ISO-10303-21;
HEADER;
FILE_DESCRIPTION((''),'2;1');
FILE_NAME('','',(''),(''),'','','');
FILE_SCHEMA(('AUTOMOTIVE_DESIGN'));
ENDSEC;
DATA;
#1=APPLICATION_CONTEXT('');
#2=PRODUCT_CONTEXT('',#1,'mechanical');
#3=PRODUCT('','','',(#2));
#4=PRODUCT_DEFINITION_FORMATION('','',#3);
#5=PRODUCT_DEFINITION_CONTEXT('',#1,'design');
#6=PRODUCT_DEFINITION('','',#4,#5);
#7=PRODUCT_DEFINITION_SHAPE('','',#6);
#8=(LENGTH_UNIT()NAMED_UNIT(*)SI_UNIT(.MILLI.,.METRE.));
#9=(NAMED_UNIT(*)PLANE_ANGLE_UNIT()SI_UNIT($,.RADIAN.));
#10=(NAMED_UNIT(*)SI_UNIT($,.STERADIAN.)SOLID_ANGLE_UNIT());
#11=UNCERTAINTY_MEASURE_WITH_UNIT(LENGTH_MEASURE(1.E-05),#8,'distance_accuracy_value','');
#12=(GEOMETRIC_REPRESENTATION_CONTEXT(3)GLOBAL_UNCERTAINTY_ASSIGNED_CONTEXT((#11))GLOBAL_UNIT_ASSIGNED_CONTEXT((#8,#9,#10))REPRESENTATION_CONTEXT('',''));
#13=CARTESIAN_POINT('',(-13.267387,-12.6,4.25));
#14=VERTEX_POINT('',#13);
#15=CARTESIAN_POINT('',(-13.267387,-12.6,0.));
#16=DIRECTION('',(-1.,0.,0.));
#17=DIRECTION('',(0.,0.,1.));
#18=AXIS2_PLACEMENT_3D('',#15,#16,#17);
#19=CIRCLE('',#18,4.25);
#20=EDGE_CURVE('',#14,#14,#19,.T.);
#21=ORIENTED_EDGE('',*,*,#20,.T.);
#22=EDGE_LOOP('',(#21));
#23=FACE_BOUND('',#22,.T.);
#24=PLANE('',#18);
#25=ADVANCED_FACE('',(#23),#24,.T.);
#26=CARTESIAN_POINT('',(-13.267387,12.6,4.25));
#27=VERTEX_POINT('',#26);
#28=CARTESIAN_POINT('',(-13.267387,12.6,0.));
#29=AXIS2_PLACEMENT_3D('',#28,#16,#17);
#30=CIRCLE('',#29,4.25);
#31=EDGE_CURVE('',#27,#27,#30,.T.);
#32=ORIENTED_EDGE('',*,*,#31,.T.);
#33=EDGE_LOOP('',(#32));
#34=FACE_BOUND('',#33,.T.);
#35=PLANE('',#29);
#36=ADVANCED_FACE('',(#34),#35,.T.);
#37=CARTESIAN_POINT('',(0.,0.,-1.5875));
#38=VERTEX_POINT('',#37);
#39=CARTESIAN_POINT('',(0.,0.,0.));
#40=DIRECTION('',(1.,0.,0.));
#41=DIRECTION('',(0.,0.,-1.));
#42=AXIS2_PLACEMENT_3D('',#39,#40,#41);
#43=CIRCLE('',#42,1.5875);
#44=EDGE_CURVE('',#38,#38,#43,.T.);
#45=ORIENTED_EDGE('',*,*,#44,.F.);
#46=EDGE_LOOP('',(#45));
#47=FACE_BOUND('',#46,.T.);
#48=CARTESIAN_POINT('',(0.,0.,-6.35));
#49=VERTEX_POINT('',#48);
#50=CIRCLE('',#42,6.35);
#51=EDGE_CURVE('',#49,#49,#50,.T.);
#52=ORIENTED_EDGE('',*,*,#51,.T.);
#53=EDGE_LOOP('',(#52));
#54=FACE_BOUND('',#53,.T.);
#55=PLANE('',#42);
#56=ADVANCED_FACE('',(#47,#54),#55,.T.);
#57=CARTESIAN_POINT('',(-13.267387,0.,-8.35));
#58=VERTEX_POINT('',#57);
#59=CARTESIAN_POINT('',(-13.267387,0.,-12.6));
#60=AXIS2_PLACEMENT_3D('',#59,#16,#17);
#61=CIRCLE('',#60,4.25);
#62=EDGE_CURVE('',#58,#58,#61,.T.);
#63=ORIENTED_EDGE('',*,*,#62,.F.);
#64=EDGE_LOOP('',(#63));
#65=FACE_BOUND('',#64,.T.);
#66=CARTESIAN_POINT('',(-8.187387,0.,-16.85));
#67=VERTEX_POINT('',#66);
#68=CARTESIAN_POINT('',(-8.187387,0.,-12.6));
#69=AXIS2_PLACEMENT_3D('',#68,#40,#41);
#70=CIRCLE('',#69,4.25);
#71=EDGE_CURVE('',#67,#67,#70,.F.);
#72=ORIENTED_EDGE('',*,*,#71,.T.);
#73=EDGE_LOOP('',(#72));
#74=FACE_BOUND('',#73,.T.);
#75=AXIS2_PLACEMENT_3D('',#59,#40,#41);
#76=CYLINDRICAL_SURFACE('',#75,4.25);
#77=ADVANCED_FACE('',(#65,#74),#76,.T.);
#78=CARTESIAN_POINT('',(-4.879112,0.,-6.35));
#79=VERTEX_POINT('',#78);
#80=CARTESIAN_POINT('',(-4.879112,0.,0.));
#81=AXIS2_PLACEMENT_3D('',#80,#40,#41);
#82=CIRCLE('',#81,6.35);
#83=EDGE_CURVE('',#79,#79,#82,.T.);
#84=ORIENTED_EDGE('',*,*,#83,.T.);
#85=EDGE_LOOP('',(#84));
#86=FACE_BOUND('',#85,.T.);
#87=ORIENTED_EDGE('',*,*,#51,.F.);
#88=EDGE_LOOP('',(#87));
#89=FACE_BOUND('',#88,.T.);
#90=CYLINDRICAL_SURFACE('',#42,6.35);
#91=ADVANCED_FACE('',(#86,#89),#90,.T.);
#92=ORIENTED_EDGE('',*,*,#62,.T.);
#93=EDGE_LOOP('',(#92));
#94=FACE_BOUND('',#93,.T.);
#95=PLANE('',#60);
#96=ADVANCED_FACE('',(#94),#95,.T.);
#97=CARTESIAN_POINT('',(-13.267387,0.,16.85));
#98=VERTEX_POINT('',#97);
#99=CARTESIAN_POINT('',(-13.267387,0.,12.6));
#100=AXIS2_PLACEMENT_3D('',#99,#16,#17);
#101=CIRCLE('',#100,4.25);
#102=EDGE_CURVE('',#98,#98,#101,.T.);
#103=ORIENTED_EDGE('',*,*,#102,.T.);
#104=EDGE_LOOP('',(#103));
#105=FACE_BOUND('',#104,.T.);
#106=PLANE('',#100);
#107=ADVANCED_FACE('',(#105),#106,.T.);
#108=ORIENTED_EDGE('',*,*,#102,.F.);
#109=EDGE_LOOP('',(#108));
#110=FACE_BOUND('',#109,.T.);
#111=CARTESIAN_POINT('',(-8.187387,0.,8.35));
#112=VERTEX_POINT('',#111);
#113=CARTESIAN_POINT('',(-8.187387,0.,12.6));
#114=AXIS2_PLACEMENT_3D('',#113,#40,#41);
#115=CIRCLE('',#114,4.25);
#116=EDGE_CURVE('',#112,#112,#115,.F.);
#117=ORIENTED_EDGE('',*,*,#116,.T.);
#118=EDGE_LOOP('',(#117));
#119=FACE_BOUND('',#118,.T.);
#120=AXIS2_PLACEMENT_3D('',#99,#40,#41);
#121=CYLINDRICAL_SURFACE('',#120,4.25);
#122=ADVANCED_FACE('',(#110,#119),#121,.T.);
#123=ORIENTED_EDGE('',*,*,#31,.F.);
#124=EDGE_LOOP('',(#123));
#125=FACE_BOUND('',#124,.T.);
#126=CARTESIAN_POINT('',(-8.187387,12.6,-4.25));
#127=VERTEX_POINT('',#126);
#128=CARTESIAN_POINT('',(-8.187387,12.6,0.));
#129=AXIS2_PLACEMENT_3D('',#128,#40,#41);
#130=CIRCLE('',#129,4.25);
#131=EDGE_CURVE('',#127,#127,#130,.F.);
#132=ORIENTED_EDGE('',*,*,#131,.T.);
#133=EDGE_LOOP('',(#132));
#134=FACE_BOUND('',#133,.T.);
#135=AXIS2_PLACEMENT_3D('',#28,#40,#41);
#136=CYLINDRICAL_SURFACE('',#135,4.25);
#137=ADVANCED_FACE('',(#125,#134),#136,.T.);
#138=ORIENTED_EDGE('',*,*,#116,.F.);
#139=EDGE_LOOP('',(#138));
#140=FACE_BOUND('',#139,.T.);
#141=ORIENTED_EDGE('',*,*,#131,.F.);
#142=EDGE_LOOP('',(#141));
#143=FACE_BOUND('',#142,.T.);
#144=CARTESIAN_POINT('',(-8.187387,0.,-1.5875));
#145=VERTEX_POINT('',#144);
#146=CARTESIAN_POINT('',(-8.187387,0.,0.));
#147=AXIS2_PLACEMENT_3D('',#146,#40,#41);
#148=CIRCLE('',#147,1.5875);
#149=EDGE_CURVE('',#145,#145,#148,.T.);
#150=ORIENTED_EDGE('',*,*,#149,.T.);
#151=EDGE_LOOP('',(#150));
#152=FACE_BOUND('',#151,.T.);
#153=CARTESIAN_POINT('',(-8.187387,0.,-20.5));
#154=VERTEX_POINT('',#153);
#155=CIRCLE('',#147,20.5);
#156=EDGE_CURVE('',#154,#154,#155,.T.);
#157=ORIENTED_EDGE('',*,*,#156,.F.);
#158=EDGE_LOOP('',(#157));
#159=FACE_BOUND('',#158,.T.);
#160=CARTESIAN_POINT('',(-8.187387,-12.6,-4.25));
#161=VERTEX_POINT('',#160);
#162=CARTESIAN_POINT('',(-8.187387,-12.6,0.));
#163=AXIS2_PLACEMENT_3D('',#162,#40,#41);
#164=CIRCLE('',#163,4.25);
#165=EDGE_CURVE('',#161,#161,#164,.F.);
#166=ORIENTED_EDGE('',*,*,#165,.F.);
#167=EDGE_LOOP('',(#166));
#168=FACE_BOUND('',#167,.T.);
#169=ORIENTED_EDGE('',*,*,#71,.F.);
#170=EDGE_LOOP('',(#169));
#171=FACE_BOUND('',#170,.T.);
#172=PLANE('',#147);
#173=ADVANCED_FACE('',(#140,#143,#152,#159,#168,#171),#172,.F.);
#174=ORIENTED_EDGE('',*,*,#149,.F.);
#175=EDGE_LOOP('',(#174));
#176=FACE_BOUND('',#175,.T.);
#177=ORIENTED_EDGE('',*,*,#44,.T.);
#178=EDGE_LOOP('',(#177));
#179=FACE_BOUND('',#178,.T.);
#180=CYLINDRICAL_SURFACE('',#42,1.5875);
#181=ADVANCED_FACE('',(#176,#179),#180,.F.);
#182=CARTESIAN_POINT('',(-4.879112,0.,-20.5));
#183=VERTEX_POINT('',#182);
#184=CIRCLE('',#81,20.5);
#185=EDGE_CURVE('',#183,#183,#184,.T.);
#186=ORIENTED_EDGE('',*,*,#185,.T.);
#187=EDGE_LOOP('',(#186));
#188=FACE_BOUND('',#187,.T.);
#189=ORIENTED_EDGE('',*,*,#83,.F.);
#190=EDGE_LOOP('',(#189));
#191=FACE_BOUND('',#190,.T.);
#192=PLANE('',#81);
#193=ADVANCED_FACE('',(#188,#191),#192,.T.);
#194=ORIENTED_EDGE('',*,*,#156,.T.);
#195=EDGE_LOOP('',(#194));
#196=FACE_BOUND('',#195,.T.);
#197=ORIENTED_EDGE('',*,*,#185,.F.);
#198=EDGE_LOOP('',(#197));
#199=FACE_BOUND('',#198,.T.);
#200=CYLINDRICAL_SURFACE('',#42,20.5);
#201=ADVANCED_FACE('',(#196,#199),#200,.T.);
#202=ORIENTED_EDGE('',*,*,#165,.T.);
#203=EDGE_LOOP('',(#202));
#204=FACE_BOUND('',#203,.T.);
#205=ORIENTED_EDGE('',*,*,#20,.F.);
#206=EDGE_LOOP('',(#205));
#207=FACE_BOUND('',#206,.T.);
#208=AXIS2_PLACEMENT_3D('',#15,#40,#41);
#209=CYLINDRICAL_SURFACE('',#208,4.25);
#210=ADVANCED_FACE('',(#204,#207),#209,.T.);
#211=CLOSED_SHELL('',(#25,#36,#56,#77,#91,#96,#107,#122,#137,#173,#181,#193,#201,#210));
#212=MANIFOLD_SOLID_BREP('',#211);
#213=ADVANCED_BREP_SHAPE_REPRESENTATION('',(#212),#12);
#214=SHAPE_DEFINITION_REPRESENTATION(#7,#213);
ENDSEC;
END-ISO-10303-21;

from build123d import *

# Parameters (mm, degrees)
SKETCH2_R           = 4.25
BOSS_EXTRUDE1_DEPTH = 5.08


with BuildPart() as part:
    # Sketch1 → Revolve1 (revolve)
    with BuildSketch(Plane.XY):
        Polygon((0, 1.5875), (0, 6.35), (-4.87911158, 6.35), (-4.87911158, 20.5), (-8.187387237, 20.5), (-8.187387237, 1.5875), align=None)
    revolve(axis=Axis((0, 0, 0), (-1, 0, 0)))

    # Sketch2 → Boss-Extrude1 (add)
    with BuildSketch(Plane.ZY.offset(8.187387237)):
        with Locations((0, 12.6)):
            Circle(SKETCH2_R)
        with Locations((12.6, 0)):
            Circle(SKETCH2_R)
        with Locations((0, -12.6)):
            Circle(SKETCH2_R)
        with Locations((-12.6, 0)):
            Circle(SKETCH2_R)
    extrude(amount=BOSS_EXTRUDE1_DEPTH)


solid = part.part
